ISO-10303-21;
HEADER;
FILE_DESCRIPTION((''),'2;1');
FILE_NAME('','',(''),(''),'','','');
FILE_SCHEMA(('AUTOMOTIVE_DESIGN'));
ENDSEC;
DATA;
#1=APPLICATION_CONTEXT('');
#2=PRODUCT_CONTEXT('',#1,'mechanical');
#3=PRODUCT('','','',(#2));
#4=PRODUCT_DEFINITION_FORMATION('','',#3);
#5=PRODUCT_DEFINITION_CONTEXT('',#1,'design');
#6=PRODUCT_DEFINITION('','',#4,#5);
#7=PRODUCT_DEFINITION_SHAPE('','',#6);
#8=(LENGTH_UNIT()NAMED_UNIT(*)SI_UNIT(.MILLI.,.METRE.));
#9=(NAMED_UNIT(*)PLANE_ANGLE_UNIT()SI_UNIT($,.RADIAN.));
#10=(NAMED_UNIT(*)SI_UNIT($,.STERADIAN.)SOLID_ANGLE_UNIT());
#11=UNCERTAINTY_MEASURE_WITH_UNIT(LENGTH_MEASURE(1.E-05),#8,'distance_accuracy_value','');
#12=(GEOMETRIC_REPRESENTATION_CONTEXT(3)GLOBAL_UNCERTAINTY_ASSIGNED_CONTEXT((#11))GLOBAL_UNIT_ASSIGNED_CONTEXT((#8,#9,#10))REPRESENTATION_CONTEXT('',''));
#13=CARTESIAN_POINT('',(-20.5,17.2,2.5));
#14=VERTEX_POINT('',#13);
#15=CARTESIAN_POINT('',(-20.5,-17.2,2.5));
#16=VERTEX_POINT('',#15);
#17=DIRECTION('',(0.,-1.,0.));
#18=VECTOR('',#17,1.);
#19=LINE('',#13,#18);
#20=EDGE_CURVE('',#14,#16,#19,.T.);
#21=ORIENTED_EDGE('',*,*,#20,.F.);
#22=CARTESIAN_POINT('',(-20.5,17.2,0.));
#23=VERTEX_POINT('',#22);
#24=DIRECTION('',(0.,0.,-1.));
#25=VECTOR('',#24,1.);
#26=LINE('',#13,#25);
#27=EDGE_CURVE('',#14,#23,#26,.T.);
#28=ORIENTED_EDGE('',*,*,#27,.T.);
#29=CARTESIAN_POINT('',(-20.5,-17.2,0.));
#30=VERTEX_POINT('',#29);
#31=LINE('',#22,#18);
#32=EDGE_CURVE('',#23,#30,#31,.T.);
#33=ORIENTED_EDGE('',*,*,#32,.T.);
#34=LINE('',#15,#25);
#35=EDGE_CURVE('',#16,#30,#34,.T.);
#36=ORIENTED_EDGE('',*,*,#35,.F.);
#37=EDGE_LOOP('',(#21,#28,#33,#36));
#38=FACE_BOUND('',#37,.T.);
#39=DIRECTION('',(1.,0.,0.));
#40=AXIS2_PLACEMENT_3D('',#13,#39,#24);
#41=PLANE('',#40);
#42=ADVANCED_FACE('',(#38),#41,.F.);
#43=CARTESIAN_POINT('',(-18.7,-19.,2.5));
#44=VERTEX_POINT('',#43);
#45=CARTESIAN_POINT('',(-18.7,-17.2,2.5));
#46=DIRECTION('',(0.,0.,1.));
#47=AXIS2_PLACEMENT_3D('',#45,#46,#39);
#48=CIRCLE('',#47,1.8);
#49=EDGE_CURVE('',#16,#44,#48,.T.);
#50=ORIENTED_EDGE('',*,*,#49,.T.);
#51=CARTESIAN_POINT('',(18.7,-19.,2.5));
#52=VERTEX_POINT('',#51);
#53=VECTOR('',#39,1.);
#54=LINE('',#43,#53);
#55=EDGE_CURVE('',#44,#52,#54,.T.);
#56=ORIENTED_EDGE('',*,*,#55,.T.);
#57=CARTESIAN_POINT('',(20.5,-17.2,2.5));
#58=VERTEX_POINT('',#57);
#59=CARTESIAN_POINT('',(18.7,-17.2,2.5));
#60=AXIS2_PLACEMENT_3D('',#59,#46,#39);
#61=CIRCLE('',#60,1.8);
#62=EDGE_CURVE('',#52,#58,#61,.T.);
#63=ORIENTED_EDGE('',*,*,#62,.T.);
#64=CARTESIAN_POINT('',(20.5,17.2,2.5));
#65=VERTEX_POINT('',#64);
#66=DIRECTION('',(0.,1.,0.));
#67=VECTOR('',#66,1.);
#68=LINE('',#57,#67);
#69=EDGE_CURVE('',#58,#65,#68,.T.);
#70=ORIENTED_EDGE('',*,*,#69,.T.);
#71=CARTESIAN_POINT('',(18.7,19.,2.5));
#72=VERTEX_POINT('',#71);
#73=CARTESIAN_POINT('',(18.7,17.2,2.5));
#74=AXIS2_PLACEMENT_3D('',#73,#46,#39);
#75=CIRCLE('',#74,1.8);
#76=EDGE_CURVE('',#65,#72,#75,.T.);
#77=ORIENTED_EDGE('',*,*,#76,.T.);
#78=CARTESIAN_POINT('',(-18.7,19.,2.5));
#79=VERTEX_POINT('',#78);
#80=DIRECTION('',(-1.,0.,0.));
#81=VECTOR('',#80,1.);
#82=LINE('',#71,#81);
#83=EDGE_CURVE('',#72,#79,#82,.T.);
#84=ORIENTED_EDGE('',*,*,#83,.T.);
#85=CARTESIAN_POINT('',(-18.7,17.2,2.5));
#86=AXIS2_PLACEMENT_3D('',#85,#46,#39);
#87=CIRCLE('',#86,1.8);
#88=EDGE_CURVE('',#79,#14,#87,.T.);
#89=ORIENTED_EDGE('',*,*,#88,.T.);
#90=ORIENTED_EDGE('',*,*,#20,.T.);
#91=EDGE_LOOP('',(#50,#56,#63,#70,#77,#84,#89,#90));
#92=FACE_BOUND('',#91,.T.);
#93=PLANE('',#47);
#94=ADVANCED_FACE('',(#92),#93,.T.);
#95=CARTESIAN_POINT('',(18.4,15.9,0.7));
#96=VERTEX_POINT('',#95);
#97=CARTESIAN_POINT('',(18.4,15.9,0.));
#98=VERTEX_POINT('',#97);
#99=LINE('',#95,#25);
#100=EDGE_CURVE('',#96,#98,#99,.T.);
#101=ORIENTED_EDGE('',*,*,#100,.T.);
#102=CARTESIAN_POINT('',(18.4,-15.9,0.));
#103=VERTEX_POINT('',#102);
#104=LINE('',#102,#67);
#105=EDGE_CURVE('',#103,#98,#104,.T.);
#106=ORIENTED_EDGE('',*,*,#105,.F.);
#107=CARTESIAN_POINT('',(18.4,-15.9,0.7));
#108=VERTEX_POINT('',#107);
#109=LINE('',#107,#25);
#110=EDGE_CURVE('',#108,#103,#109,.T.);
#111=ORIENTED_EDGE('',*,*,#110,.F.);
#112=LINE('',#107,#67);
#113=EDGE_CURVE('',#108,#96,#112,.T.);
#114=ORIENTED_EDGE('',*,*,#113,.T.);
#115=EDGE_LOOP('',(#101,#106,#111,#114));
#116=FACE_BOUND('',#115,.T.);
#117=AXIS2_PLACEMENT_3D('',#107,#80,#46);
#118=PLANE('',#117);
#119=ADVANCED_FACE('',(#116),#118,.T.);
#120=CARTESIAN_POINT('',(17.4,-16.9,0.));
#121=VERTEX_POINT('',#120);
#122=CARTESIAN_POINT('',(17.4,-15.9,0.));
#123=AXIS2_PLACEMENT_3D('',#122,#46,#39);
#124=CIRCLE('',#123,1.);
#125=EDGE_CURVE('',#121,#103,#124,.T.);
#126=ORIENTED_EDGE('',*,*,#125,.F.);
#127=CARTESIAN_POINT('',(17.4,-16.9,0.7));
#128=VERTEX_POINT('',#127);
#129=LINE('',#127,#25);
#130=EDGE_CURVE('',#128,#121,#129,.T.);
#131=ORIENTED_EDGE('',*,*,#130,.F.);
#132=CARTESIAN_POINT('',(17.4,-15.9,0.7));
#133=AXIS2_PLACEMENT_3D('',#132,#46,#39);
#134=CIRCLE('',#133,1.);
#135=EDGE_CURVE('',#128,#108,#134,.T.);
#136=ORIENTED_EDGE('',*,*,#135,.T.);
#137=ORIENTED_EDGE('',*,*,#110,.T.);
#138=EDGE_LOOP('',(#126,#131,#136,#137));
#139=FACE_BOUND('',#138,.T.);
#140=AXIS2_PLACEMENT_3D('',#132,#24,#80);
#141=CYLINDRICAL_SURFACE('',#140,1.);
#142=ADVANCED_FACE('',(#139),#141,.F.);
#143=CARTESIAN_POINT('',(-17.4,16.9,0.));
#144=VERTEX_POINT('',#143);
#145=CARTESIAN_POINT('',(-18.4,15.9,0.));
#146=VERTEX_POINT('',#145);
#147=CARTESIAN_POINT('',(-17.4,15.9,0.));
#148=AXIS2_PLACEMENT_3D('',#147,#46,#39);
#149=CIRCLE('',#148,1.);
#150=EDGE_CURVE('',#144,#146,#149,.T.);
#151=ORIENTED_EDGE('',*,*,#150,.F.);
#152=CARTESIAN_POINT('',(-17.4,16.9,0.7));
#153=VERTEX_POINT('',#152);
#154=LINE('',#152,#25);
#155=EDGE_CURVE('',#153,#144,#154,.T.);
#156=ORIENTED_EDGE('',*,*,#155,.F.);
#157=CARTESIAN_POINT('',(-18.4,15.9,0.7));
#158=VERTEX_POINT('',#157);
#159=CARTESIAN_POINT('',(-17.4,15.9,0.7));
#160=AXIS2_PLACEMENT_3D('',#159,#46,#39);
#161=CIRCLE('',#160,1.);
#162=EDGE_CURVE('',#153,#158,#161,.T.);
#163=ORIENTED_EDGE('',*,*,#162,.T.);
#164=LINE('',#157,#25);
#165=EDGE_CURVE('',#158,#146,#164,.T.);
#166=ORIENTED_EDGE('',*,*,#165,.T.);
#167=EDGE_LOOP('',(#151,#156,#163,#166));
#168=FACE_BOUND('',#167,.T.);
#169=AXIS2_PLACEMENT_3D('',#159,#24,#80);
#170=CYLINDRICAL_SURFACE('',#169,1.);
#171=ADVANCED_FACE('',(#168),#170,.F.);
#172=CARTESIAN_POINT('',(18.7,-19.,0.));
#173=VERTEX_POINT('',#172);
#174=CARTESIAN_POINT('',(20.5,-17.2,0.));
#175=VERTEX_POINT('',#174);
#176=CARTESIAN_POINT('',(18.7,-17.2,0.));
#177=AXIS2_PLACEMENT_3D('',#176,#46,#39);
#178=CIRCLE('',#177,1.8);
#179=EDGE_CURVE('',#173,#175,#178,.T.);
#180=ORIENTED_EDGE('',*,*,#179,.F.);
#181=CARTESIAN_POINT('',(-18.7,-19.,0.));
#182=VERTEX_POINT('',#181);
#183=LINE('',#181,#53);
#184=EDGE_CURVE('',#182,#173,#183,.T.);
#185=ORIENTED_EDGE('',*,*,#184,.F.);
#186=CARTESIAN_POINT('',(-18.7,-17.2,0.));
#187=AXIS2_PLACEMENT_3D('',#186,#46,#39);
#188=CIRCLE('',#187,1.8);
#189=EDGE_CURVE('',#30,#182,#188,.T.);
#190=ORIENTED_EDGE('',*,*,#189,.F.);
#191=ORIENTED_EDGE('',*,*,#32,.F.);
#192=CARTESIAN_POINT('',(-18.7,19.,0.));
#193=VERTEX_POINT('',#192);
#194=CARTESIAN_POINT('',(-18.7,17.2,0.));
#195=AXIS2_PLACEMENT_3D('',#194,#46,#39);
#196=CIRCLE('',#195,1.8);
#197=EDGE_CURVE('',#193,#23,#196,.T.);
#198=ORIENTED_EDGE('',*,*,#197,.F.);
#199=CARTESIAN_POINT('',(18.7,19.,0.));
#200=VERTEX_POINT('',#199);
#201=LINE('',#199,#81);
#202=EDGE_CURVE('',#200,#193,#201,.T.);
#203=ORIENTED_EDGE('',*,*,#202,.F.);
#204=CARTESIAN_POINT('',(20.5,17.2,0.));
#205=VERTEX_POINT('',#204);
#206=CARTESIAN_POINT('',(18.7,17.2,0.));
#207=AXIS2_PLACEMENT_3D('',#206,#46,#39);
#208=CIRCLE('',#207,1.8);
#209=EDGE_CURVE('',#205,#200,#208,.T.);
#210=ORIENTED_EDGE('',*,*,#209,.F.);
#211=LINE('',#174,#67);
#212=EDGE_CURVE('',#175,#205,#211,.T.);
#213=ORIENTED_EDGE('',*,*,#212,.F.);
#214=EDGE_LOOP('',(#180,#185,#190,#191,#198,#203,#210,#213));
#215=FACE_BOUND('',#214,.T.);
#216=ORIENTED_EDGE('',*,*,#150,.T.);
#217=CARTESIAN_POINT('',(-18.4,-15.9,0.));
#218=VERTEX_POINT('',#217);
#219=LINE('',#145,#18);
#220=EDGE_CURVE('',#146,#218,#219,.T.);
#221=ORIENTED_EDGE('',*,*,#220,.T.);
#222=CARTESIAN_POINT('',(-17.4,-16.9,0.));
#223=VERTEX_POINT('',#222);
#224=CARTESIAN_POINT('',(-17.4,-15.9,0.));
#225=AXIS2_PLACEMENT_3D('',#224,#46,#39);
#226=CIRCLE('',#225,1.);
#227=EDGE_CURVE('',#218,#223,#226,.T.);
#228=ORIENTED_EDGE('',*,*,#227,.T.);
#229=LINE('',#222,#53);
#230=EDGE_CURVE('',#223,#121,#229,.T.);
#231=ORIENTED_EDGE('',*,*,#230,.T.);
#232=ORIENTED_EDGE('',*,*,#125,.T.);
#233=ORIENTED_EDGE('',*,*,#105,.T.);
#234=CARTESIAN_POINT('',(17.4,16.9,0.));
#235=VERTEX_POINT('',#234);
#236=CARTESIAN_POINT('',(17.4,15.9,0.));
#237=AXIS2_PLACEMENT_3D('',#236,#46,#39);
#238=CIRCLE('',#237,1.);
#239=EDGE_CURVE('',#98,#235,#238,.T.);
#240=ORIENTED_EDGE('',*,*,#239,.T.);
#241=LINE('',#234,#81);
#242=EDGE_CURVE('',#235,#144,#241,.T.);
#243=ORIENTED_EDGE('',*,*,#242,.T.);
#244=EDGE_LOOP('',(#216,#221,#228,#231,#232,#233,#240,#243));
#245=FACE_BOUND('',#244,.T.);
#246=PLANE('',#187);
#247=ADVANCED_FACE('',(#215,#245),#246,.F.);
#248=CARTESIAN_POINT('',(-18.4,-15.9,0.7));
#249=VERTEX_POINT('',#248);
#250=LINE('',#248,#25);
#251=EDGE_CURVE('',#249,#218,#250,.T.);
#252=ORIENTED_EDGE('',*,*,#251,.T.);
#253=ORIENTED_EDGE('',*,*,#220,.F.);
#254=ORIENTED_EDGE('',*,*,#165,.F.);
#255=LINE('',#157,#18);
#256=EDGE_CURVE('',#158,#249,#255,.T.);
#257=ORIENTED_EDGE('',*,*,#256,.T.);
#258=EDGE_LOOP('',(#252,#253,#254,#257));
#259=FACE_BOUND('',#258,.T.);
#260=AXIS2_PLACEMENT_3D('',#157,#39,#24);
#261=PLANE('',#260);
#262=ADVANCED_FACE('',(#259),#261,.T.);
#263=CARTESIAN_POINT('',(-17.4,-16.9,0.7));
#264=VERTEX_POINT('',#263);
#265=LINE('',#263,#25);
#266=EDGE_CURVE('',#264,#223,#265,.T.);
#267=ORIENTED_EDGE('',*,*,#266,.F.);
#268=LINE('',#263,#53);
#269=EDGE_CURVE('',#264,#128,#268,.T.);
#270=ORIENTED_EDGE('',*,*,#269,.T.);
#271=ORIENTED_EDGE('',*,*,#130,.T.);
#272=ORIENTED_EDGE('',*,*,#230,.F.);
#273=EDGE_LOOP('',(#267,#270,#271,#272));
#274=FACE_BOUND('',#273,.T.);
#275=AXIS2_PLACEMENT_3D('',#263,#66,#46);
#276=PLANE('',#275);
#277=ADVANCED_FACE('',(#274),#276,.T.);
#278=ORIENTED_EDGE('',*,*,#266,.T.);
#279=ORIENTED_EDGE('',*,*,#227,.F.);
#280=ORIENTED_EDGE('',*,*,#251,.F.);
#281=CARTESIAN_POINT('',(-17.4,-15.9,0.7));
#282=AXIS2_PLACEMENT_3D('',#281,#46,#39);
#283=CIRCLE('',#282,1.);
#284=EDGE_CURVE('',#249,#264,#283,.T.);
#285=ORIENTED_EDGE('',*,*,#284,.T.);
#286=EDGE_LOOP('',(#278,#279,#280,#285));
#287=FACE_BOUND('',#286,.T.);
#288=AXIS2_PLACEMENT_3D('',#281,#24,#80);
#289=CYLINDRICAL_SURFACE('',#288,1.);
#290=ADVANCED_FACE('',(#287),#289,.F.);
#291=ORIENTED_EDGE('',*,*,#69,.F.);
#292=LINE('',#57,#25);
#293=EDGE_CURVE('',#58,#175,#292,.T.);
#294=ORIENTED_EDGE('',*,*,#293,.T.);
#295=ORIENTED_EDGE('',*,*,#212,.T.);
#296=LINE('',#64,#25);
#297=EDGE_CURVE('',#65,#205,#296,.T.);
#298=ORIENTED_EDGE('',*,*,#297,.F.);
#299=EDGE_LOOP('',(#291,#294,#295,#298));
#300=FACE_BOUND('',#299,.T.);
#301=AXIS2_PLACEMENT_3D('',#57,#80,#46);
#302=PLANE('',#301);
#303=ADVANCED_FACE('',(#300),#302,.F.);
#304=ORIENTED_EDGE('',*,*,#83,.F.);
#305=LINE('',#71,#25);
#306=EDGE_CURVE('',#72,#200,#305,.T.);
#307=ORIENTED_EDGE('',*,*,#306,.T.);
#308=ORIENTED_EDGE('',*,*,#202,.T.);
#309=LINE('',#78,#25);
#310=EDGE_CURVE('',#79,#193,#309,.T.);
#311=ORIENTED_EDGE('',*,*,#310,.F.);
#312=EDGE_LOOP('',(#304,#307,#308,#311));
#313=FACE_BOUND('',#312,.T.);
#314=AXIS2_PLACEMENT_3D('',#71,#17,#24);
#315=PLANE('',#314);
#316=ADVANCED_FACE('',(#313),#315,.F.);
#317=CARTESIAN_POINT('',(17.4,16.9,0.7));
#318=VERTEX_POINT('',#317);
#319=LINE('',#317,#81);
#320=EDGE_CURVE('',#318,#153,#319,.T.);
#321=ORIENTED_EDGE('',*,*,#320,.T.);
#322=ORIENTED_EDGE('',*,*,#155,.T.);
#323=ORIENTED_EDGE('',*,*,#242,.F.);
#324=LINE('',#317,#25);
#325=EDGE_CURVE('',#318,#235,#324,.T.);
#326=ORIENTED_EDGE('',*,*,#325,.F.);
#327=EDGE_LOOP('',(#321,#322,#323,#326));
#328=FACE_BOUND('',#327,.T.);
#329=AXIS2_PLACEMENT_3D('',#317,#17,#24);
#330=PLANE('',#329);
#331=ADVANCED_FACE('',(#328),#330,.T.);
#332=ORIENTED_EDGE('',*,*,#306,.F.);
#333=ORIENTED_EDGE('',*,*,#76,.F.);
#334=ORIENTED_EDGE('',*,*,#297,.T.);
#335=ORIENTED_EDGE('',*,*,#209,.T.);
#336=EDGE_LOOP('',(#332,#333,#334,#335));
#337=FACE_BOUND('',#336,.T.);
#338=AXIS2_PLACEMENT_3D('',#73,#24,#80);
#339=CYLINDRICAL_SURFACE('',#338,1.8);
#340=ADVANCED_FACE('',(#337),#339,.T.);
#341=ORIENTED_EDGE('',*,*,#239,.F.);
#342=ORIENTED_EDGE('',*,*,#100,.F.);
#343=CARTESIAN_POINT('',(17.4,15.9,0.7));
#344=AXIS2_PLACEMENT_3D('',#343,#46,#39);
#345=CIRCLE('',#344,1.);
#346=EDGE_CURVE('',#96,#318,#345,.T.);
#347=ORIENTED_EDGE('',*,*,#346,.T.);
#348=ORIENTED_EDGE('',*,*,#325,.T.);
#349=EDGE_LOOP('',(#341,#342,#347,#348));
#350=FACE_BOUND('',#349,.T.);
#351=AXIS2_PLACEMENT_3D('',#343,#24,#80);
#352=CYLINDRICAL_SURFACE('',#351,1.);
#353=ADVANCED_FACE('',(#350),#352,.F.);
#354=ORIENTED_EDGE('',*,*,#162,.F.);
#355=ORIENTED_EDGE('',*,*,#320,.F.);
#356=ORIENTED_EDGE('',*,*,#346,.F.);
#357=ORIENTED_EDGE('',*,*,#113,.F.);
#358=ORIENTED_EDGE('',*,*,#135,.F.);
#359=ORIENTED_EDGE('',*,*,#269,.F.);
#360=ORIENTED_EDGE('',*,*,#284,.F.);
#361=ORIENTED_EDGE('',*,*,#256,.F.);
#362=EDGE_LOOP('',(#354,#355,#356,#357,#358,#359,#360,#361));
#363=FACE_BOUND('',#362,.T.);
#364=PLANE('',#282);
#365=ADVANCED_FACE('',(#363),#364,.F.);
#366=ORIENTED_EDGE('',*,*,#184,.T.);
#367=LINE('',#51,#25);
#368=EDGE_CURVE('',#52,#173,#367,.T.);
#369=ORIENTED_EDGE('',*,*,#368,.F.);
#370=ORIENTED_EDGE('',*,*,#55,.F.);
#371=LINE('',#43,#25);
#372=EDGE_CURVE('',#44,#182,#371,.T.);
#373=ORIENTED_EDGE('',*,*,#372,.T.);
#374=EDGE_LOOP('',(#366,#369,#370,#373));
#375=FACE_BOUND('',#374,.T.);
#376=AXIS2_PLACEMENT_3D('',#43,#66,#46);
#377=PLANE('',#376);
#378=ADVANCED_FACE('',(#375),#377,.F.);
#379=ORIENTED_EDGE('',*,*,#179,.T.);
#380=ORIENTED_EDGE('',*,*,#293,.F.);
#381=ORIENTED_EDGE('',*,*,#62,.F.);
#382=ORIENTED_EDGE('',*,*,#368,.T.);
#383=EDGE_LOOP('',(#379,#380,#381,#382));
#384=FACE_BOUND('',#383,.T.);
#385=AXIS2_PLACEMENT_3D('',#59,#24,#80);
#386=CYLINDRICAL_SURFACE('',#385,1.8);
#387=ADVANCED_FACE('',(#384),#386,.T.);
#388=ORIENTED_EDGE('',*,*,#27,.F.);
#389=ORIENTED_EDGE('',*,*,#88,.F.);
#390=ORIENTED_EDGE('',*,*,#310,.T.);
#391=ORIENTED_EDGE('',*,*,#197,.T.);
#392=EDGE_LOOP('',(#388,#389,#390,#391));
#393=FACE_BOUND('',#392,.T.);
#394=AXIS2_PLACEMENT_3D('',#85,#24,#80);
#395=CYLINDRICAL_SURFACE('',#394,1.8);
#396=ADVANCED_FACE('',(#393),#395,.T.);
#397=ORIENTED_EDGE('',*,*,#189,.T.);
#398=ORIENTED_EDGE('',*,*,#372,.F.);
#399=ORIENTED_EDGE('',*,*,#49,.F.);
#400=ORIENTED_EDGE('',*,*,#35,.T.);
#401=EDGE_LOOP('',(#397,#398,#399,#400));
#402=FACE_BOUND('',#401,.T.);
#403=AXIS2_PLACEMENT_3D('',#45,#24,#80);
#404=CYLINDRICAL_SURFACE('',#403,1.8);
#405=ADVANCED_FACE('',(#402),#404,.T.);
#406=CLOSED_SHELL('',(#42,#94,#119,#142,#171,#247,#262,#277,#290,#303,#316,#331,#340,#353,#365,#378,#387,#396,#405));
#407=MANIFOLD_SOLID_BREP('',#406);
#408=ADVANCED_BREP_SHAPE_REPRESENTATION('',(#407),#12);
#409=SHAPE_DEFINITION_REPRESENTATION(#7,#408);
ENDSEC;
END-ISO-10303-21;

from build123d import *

# Parameters (mm, degrees)
FACTORY_SNAP_LID_DEPTH             = 2.5
MOULDED_LID_UNDERSIDE_RELIEF_DEPTH = 0.7


with BuildPart() as part:
    # Factory_snap_lid_Sketch → Factory_snap_lid (new body)
    with BuildSketch(Plane.XY):
        with BuildLine():
            Line((-18.7, -19), (18.7, -19))
            ThreePointArc((18.7, -19), (19.972792206, -18.472792206), (20.5, -17.2))
            Line((20.5, -17.2), (20.5, 17.2))
            ThreePointArc((20.5, 17.2), (19.972792206, 18.472792206), (18.7, 19))
            Line((18.7, 19), (-18.7, 19))
            ThreePointArc((-18.7, 19), (-19.972792206, 18.472792206), (-20.5, 17.2))
            Line((-20.5, 17.2), (-20.5, -17.2))
            ThreePointArc((-20.5, -17.2), (-19.972792206, -18.472792206), (-18.7, -19))
        make_face()
    extrude(amount=FACTORY_SNAP_LID_DEPTH)

    # Moulded_lid_underside_relief_Sketch → Moulded_lid_underside_relief (cut)
    with BuildSketch(Plane.XY):
        with BuildLine():
            Line((-17.4, -16.9), (17.4, -16.9))
            ThreePointArc((17.4, -16.9), (18.107106781, -16.607106781), (18.4, -15.9))
            Line((18.4, -15.9), (18.4, 15.9))
            ThreePointArc((18.4, 15.9), (18.107106781, 16.607106781), (17.4, 16.9))
            Line((17.4, 16.9), (-17.4, 16.9))
            ThreePointArc((-17.4, 16.9), (-18.107106781, 16.607106781), (-18.4, 15.9))
            Line((-18.4, 15.9), (-18.4, -15.9))
            ThreePointArc((-18.4, -15.9), (-18.107106781, -16.607106781), (-17.4, -16.9))
        make_face()
    extrude(amount=MOULDED_LID_UNDERSIDE_RELIEF_DEPTH, mode=Mode.SUBTRACT)


solid = part.part
